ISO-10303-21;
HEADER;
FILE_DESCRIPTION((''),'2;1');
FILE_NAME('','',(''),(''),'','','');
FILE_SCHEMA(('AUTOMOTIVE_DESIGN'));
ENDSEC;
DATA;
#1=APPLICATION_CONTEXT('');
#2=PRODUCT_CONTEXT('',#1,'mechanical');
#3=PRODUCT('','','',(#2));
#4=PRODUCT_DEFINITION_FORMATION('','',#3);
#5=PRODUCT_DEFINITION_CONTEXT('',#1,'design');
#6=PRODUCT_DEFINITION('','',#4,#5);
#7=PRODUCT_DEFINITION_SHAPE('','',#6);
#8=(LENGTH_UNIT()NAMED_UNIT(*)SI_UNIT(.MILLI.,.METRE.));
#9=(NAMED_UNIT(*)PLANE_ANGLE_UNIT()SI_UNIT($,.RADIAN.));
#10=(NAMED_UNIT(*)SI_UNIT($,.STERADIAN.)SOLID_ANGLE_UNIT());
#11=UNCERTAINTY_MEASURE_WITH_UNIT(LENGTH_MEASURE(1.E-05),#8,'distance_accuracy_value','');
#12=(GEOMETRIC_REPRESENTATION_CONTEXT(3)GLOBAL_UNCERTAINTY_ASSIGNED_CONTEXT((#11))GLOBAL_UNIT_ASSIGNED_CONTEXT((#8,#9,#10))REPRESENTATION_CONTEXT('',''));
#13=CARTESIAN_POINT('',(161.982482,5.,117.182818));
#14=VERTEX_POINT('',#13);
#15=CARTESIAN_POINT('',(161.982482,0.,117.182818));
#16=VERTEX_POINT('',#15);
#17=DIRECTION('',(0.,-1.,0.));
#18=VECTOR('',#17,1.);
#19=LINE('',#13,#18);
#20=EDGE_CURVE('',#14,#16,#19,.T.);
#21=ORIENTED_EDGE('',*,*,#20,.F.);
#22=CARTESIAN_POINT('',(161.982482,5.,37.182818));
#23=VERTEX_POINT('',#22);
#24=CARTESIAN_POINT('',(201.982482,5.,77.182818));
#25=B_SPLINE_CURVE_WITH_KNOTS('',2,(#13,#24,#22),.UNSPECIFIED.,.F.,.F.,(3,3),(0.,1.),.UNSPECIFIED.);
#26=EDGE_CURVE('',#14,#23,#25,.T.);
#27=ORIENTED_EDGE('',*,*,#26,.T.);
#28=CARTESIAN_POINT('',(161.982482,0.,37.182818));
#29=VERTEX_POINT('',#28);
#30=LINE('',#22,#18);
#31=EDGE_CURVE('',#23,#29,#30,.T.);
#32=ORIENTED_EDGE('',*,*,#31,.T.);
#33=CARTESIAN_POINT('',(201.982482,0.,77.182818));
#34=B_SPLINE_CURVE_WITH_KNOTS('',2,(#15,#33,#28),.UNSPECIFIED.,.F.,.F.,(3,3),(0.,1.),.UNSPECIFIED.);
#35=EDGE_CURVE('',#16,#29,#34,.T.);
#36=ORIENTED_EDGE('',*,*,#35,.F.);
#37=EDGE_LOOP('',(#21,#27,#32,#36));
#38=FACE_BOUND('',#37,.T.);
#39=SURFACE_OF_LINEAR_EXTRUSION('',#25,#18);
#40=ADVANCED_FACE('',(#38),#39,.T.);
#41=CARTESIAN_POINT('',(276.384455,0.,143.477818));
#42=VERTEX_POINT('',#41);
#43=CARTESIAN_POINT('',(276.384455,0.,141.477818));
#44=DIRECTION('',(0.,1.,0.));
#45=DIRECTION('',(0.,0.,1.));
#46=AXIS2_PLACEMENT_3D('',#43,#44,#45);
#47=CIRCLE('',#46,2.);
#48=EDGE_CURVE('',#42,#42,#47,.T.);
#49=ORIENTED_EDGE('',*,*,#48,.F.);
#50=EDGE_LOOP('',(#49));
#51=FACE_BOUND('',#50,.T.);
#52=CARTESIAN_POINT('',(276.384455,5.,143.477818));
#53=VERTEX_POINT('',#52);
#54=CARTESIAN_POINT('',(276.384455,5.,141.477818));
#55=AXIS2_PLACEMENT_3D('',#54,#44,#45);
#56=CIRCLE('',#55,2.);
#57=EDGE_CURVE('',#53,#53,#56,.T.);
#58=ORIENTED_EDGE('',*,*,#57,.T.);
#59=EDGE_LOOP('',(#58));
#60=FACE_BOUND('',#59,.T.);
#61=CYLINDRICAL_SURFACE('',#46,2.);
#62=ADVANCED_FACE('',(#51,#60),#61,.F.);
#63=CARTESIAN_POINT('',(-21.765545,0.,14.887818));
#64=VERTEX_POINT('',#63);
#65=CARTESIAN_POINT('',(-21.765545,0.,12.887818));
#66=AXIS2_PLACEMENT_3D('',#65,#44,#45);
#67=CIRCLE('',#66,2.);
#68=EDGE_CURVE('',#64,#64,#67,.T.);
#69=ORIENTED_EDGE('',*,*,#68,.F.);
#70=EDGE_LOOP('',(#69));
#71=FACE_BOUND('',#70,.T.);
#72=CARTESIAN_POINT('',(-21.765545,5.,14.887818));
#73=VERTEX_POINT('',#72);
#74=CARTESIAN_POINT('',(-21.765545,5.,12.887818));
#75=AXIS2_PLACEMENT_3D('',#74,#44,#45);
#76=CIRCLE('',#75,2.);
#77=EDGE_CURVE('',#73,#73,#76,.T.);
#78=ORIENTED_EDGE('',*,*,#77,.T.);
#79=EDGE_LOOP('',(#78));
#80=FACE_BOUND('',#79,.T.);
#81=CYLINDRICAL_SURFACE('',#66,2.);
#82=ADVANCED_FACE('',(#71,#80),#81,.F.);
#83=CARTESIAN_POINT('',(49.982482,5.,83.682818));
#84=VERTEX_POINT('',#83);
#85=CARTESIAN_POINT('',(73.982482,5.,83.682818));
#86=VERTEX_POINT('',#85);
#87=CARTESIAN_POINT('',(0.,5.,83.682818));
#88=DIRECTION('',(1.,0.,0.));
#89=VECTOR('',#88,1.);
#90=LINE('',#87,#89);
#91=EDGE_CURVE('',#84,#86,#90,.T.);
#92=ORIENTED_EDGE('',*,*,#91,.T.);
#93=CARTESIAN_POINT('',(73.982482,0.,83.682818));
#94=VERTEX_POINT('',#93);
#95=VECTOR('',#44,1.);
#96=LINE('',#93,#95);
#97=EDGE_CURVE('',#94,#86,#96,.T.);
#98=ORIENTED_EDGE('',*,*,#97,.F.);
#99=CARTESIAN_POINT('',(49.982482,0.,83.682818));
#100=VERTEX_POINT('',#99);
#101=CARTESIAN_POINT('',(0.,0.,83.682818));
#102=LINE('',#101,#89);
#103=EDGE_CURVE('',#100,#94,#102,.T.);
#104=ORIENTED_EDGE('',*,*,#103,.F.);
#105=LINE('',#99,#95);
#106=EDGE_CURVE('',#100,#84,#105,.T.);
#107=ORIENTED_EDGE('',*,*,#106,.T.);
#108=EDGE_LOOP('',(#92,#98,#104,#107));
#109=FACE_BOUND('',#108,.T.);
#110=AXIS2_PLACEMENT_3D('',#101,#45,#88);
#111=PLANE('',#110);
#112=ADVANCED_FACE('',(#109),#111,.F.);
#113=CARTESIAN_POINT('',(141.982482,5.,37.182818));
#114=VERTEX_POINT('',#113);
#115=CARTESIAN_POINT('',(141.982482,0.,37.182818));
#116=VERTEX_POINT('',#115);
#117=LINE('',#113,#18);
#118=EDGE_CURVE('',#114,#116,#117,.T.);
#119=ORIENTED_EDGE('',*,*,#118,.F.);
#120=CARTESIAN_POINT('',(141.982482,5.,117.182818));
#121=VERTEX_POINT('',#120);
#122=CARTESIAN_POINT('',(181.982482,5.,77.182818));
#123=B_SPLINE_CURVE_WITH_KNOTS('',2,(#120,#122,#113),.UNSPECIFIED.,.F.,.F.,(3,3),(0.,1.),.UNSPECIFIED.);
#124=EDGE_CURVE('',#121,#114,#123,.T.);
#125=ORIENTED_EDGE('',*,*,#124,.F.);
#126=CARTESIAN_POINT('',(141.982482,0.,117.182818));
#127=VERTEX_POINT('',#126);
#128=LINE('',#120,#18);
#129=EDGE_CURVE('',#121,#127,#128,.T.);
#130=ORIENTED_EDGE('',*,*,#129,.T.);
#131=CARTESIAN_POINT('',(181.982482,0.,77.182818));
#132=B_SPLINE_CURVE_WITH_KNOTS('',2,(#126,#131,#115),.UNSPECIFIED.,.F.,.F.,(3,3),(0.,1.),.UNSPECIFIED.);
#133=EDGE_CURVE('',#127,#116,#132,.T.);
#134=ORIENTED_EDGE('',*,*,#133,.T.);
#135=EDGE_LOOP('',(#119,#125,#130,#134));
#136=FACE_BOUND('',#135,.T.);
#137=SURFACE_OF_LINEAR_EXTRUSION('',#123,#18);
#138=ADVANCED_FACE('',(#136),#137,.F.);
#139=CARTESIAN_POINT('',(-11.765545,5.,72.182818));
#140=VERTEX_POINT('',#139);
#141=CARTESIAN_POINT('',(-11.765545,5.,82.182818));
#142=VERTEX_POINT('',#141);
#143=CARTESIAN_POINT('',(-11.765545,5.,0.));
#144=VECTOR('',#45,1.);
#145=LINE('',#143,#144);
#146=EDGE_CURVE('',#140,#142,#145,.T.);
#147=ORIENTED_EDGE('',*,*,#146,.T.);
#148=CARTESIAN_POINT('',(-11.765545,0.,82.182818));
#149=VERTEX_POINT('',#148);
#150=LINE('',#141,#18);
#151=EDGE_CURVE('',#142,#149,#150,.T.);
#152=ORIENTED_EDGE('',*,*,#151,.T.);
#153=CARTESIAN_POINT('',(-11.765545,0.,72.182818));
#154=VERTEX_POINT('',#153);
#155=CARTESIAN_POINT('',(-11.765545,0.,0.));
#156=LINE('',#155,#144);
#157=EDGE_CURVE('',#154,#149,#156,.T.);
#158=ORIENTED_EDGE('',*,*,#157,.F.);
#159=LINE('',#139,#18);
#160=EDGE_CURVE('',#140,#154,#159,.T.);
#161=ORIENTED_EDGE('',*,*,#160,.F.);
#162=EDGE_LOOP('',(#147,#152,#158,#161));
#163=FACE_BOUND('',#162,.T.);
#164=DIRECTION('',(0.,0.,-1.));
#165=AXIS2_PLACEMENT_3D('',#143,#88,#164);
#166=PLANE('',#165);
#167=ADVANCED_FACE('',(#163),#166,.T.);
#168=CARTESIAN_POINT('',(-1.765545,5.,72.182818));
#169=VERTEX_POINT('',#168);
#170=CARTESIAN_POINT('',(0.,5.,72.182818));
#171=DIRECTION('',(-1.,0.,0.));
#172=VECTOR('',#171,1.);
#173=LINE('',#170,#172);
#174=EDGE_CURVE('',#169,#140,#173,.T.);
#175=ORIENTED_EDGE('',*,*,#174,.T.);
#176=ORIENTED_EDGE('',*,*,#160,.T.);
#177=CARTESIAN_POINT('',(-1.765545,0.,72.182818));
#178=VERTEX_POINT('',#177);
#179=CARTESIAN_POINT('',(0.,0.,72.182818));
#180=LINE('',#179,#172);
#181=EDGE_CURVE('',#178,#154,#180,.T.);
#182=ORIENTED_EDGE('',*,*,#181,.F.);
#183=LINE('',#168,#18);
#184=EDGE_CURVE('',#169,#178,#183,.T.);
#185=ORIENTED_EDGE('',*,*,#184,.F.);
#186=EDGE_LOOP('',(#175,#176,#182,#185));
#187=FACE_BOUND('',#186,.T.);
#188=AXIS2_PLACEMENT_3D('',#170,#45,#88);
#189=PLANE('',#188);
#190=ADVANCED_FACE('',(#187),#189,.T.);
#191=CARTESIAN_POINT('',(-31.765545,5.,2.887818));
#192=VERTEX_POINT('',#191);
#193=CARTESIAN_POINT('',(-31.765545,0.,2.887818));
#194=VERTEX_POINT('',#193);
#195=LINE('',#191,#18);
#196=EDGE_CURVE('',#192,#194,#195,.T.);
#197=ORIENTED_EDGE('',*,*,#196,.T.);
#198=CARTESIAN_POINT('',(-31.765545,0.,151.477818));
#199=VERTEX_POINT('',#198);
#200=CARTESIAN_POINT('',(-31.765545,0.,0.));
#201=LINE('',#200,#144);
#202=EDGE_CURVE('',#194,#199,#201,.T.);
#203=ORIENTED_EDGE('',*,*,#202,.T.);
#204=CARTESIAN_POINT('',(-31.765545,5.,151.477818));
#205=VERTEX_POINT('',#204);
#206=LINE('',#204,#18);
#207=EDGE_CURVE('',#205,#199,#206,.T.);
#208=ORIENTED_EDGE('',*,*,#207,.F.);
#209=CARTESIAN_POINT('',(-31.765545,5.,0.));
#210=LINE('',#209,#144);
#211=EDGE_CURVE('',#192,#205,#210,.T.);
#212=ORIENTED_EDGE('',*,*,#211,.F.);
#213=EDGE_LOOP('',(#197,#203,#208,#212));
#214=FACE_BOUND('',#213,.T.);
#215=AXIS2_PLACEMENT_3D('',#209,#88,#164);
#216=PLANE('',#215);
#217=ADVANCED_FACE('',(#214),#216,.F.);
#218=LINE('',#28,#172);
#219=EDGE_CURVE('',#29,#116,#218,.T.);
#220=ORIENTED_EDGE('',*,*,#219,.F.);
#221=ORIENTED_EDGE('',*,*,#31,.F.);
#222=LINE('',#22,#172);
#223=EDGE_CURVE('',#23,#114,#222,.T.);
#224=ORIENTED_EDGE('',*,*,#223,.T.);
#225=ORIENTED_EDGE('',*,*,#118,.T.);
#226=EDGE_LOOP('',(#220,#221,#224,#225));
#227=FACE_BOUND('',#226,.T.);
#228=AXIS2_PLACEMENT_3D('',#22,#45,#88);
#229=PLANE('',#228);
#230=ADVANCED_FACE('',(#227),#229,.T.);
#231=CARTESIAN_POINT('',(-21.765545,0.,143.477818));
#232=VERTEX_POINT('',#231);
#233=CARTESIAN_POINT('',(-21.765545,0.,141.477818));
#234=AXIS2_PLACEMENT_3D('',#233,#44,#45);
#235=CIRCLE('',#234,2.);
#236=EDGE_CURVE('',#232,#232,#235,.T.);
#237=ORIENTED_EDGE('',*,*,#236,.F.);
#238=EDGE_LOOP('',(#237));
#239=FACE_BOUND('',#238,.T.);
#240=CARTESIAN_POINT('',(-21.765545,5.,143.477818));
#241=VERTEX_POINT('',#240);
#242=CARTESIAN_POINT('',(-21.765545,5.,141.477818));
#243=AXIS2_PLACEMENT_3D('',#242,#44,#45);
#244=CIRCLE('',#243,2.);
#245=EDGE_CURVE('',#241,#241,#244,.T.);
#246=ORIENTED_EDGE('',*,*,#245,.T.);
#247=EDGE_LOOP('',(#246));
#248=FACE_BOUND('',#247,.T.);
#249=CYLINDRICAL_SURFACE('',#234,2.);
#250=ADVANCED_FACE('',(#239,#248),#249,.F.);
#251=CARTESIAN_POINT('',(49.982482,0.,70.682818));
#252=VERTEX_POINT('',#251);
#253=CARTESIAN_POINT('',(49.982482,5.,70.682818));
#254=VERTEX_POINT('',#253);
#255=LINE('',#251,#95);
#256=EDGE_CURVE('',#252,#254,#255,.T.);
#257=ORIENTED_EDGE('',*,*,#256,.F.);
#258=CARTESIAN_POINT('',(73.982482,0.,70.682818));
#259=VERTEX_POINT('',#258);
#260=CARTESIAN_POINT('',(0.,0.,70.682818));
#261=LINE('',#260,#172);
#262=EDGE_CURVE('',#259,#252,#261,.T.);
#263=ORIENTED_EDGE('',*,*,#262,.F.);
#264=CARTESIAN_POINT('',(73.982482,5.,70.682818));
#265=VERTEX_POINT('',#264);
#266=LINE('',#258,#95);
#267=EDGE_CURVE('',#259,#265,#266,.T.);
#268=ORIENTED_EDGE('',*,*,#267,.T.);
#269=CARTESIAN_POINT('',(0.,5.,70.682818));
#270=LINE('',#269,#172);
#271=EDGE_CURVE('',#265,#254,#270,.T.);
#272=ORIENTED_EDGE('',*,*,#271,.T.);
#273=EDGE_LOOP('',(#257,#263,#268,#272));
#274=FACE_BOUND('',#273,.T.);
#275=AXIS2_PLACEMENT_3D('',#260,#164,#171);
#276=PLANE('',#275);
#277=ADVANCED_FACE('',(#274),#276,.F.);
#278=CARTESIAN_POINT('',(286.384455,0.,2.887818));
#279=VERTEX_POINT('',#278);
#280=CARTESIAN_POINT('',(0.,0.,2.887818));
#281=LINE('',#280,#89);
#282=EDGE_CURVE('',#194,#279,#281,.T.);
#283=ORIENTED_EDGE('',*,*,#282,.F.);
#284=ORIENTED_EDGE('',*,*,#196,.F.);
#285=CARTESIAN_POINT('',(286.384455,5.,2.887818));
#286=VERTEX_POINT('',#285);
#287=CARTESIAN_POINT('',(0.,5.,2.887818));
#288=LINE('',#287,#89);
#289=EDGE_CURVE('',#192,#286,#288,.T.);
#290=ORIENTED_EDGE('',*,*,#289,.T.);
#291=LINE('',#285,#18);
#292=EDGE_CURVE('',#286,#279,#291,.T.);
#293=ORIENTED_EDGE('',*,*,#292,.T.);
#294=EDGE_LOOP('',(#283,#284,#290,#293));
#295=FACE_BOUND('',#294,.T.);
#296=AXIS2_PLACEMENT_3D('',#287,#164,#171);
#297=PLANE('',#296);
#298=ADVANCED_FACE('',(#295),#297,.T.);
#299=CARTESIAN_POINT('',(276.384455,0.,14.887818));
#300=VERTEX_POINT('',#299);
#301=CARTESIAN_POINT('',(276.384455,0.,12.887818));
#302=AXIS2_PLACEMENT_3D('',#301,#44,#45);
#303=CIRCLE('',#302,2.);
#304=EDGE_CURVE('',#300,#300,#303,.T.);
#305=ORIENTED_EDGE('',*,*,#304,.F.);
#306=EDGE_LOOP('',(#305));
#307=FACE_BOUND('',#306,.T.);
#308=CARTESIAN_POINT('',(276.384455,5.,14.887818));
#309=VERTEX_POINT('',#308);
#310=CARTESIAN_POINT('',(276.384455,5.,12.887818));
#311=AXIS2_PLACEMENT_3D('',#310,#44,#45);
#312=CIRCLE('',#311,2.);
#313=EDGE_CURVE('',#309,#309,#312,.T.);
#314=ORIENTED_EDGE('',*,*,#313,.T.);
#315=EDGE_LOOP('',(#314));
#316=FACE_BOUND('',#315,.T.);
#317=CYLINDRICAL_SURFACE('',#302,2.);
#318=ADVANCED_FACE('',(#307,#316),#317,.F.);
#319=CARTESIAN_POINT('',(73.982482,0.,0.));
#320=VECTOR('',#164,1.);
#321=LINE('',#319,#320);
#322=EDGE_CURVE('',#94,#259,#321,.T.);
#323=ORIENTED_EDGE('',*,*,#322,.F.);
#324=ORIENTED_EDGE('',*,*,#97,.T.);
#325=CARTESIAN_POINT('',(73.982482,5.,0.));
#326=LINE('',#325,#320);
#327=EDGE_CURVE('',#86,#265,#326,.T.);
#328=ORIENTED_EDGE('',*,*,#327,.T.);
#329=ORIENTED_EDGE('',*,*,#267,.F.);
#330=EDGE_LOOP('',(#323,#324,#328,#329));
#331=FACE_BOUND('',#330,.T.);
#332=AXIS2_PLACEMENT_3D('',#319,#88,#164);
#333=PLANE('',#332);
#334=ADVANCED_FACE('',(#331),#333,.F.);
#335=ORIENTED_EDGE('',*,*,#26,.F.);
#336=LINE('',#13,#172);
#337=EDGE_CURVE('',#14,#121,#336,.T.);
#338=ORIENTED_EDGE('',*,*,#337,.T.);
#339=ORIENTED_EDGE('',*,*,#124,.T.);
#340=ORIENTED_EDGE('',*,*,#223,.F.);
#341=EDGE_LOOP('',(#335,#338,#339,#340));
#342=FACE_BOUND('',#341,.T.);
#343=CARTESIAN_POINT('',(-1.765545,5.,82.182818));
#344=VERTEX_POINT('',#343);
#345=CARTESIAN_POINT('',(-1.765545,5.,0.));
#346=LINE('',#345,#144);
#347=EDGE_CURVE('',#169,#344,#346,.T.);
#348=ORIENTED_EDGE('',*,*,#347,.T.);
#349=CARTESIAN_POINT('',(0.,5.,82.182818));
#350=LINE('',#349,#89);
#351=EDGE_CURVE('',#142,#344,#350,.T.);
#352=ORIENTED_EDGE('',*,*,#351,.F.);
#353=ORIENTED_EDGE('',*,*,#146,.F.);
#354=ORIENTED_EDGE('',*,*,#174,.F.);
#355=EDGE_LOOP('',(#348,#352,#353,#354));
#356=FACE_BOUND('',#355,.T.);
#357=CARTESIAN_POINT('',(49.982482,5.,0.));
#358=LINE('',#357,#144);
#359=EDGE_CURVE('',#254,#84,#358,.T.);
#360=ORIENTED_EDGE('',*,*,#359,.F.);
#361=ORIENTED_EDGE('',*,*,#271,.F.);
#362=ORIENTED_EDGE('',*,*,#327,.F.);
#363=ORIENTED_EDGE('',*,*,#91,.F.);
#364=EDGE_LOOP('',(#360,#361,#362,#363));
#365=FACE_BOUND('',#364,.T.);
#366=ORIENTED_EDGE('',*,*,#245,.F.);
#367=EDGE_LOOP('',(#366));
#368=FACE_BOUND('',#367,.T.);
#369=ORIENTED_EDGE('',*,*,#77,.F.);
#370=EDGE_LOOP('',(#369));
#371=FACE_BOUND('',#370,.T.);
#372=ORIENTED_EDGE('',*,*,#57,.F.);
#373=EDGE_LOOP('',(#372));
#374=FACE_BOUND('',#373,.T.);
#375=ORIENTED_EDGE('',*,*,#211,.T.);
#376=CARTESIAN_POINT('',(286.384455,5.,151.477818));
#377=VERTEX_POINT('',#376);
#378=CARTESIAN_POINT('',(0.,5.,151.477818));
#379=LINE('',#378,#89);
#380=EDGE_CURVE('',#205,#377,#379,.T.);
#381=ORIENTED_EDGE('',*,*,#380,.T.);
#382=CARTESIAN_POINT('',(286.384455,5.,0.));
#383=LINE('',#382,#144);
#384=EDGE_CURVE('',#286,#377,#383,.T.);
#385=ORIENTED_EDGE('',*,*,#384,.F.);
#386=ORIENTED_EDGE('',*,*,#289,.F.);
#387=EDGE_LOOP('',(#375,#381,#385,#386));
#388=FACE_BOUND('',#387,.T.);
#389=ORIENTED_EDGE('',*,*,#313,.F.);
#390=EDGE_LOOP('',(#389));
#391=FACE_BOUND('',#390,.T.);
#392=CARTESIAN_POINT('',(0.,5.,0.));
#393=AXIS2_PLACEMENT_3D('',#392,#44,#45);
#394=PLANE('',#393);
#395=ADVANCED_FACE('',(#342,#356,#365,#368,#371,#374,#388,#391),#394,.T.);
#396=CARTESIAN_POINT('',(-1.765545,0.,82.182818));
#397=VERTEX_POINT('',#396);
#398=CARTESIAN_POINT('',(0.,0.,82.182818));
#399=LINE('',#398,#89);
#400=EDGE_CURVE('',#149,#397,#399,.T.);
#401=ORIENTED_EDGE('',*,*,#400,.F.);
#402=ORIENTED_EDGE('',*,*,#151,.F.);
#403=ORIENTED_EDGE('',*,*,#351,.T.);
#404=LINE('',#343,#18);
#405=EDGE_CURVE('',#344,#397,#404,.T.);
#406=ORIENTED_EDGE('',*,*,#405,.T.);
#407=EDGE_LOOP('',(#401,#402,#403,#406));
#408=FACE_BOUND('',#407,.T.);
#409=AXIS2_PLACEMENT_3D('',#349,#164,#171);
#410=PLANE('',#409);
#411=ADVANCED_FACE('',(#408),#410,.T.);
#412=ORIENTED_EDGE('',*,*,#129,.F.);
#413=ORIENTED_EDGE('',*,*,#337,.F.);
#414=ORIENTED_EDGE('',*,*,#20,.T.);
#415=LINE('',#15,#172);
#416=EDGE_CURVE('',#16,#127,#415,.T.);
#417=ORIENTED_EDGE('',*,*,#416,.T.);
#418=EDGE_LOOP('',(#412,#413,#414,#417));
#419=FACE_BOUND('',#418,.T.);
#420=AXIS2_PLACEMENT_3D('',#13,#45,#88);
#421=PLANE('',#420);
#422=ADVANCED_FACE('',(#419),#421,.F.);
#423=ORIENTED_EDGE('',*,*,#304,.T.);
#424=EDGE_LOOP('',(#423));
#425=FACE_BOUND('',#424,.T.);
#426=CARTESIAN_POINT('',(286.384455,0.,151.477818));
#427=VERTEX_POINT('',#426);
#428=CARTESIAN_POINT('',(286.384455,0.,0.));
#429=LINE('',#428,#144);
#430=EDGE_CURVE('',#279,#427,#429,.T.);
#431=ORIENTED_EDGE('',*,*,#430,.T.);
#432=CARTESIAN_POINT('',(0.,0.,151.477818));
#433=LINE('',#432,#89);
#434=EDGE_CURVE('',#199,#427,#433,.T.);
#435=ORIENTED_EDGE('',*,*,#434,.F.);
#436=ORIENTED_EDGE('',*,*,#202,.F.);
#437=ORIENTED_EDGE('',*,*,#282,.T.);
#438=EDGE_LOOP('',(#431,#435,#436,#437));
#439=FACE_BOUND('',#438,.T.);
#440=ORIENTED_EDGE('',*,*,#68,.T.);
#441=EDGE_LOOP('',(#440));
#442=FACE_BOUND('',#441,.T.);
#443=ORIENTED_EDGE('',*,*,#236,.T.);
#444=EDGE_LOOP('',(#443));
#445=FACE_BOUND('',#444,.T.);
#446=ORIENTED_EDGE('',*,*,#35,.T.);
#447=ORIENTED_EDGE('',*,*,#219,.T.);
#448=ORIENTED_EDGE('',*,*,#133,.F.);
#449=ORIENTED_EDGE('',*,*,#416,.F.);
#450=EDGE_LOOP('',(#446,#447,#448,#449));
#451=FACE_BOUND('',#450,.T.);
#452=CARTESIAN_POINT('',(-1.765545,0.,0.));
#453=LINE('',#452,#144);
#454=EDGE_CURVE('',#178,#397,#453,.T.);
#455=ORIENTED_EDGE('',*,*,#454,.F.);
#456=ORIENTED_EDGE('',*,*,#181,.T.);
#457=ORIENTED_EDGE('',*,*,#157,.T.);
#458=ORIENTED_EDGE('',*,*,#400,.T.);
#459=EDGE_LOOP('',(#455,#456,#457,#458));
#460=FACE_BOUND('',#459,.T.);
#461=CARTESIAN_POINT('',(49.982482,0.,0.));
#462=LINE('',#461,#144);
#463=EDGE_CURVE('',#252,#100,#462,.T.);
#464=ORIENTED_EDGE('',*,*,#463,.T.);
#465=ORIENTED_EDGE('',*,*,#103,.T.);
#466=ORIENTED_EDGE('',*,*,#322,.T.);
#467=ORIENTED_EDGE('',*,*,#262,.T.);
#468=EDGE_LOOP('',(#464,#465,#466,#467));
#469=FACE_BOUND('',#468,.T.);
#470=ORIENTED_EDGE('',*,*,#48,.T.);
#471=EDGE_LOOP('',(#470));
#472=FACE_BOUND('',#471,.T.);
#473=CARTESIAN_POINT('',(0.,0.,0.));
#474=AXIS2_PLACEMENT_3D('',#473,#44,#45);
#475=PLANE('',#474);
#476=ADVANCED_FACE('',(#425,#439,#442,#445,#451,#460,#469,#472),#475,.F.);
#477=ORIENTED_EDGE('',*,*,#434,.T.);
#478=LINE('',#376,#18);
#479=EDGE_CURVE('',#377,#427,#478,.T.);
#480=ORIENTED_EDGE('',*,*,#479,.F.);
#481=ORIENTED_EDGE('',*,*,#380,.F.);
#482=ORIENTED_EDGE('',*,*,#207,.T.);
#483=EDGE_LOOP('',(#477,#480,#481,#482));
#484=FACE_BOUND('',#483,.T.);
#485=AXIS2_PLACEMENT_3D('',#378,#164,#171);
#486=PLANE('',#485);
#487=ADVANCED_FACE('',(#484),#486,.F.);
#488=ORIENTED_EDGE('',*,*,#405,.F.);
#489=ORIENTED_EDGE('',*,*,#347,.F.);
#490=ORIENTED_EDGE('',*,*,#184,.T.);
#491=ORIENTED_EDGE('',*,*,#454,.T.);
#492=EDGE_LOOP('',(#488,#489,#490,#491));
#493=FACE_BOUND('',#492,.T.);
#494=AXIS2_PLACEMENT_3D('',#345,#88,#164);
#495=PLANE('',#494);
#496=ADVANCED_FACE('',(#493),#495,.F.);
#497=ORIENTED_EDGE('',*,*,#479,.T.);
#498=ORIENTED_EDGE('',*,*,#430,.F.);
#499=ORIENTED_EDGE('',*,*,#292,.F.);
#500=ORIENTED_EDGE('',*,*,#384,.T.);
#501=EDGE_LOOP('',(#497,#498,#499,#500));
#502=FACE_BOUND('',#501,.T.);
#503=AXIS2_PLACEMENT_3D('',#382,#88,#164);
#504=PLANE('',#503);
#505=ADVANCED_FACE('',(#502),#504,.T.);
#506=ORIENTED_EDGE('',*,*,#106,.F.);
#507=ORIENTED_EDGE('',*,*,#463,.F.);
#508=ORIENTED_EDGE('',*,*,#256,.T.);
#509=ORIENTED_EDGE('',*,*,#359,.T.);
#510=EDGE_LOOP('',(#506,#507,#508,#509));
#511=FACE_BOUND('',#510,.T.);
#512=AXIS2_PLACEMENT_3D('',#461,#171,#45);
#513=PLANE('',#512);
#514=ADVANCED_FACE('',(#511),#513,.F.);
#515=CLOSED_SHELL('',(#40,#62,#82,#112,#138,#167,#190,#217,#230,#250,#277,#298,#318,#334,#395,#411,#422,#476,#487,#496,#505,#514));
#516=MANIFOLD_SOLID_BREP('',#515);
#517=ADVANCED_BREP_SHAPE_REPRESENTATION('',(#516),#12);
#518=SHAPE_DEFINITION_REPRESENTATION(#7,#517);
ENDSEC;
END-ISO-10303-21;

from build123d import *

# Parameters (mm, degrees)
ESQUISSE2_W             = 318.15
ESQUISSE2_H             = 148.59
BOSS_EXTRU_1_DEPTH      = 5
ESQUISSE3_R             = 2
ENL_V_MAT_EXTRU_1_DEPTH = 5
ENL_V_MAT_EXTRU_2_DEPTH = 5
ENL_V_MAT_EXTRU_3_DEPTH = 5
ESQUISSE7_W             = 10
ESQUISSE7_H             = 10
ENL_V_MAT_EXTRU_4_DEPTH = 5


with BuildPart() as part:
    # Esquisse2 → Boss.-Extru.1 (new body)
    with BuildSketch(Plane(origin=(0, 0, 0), x_dir=(1, 0, 0), z_dir=(0, 1, 0))):
        with Locations((127.309454852, -77.182817805)):
            Rectangle(ESQUISSE2_W, ESQUISSE2_H)
    extrude(amount=BOSS_EXTRU_1_DEPTH)

    # Esquisse3 → Enlèv. mat.-Extru.1 (cut)
    with BuildSketch(Plane(origin=(0, 5, 0), x_dir=(1, 0, 0), z_dir=(0, 1, 0))):
        with Locations(Location((276.384454852, -141.477817805, 0), (0, 0, 270))):
            Circle(ESQUISSE3_R)
        with Locations(Location((276.384454852, -12.887817805, 0), (0, 0, 270))):
            Circle(ESQUISSE3_R)
        with Locations(Location((-21.765545148, -12.887817805, 0), (0, 0, 270))):
            Circle(ESQUISSE3_R)
        with Locations(Location((-21.765545148, -141.477817805, 0), (0, 0, 270))):
            Circle(ESQUISSE3_R)
    extrude(amount=-ENL_V_MAT_EXTRU_1_DEPTH, mode=Mode.SUBTRACT)

    # Esquisse4 → Enlèv. mat.-Extru.2 (cut)
    with BuildSketch(Plane(origin=(0, 5, 0), x_dir=(1, 0, 0), z_dir=(0, 1, 0))):
        Polygon((73.982481978, -83.682817805), (73.982481978, -77.182817805), (56.982481978, -77.182817805), (49.982481978, -77.182817805), (49.982481978, -83.682817805), align=None)
        Polygon((56.982481978, -77.182817805), (73.982481978, -77.182817805), (73.982481978, -70.682817805), (49.982481978, -70.682817805), (49.982481978, -77.182817805), align=None)
    extrude(amount=-ENL_V_MAT_EXTRU_2_DEPTH, mode=Mode.SUBTRACT)

    # Esquisse6 → Enlèv. mat.-Extru.3 (cut)
    with BuildSketch(Plane(origin=(0, 0, 0), x_dir=(-1, 0, 0), z_dir=(0, -1, 0))):
        with BuildLine():
            Line((-161.982481978, -37.182817805), (-141.982481978, -37.182817805))
            add(Edge.make_bspline(
                [(-141.982481978, -117.182817805), (-181.982481978, -77.182817805), (-141.982481978, -37.182817805)],
                knots=[0, 0, 0, 1, 1, 1], degree=2))
            Line((-141.982481978, -117.182817805), (-161.982481978, -117.182817805))
            add(Edge.make_bspline(
                [(-161.982481978, -117.182817805), (-201.982481978, -77.182817805), (-161.982481978, -37.182817805)],
                knots=[0, 0, 0, 1, 1, 1], degree=2))
        make_face()
    extrude(amount=-ENL_V_MAT_EXTRU_3_DEPTH, mode=Mode.SUBTRACT)

    # Esquisse7 → Enlèv. mat.-Extru.4 (cut)
    with BuildSketch(Plane(origin=(0, 0, 0), x_dir=(-1, 0, 0), z_dir=(0, -1, 0))):
        with Locations((6.765545148, -77.182817805)):
            Rectangle(ESQUISSE7_W, ESQUISSE7_H)
    extrude(amount=-ENL_V_MAT_EXTRU_4_DEPTH, mode=Mode.SUBTRACT)


solid = part.part
